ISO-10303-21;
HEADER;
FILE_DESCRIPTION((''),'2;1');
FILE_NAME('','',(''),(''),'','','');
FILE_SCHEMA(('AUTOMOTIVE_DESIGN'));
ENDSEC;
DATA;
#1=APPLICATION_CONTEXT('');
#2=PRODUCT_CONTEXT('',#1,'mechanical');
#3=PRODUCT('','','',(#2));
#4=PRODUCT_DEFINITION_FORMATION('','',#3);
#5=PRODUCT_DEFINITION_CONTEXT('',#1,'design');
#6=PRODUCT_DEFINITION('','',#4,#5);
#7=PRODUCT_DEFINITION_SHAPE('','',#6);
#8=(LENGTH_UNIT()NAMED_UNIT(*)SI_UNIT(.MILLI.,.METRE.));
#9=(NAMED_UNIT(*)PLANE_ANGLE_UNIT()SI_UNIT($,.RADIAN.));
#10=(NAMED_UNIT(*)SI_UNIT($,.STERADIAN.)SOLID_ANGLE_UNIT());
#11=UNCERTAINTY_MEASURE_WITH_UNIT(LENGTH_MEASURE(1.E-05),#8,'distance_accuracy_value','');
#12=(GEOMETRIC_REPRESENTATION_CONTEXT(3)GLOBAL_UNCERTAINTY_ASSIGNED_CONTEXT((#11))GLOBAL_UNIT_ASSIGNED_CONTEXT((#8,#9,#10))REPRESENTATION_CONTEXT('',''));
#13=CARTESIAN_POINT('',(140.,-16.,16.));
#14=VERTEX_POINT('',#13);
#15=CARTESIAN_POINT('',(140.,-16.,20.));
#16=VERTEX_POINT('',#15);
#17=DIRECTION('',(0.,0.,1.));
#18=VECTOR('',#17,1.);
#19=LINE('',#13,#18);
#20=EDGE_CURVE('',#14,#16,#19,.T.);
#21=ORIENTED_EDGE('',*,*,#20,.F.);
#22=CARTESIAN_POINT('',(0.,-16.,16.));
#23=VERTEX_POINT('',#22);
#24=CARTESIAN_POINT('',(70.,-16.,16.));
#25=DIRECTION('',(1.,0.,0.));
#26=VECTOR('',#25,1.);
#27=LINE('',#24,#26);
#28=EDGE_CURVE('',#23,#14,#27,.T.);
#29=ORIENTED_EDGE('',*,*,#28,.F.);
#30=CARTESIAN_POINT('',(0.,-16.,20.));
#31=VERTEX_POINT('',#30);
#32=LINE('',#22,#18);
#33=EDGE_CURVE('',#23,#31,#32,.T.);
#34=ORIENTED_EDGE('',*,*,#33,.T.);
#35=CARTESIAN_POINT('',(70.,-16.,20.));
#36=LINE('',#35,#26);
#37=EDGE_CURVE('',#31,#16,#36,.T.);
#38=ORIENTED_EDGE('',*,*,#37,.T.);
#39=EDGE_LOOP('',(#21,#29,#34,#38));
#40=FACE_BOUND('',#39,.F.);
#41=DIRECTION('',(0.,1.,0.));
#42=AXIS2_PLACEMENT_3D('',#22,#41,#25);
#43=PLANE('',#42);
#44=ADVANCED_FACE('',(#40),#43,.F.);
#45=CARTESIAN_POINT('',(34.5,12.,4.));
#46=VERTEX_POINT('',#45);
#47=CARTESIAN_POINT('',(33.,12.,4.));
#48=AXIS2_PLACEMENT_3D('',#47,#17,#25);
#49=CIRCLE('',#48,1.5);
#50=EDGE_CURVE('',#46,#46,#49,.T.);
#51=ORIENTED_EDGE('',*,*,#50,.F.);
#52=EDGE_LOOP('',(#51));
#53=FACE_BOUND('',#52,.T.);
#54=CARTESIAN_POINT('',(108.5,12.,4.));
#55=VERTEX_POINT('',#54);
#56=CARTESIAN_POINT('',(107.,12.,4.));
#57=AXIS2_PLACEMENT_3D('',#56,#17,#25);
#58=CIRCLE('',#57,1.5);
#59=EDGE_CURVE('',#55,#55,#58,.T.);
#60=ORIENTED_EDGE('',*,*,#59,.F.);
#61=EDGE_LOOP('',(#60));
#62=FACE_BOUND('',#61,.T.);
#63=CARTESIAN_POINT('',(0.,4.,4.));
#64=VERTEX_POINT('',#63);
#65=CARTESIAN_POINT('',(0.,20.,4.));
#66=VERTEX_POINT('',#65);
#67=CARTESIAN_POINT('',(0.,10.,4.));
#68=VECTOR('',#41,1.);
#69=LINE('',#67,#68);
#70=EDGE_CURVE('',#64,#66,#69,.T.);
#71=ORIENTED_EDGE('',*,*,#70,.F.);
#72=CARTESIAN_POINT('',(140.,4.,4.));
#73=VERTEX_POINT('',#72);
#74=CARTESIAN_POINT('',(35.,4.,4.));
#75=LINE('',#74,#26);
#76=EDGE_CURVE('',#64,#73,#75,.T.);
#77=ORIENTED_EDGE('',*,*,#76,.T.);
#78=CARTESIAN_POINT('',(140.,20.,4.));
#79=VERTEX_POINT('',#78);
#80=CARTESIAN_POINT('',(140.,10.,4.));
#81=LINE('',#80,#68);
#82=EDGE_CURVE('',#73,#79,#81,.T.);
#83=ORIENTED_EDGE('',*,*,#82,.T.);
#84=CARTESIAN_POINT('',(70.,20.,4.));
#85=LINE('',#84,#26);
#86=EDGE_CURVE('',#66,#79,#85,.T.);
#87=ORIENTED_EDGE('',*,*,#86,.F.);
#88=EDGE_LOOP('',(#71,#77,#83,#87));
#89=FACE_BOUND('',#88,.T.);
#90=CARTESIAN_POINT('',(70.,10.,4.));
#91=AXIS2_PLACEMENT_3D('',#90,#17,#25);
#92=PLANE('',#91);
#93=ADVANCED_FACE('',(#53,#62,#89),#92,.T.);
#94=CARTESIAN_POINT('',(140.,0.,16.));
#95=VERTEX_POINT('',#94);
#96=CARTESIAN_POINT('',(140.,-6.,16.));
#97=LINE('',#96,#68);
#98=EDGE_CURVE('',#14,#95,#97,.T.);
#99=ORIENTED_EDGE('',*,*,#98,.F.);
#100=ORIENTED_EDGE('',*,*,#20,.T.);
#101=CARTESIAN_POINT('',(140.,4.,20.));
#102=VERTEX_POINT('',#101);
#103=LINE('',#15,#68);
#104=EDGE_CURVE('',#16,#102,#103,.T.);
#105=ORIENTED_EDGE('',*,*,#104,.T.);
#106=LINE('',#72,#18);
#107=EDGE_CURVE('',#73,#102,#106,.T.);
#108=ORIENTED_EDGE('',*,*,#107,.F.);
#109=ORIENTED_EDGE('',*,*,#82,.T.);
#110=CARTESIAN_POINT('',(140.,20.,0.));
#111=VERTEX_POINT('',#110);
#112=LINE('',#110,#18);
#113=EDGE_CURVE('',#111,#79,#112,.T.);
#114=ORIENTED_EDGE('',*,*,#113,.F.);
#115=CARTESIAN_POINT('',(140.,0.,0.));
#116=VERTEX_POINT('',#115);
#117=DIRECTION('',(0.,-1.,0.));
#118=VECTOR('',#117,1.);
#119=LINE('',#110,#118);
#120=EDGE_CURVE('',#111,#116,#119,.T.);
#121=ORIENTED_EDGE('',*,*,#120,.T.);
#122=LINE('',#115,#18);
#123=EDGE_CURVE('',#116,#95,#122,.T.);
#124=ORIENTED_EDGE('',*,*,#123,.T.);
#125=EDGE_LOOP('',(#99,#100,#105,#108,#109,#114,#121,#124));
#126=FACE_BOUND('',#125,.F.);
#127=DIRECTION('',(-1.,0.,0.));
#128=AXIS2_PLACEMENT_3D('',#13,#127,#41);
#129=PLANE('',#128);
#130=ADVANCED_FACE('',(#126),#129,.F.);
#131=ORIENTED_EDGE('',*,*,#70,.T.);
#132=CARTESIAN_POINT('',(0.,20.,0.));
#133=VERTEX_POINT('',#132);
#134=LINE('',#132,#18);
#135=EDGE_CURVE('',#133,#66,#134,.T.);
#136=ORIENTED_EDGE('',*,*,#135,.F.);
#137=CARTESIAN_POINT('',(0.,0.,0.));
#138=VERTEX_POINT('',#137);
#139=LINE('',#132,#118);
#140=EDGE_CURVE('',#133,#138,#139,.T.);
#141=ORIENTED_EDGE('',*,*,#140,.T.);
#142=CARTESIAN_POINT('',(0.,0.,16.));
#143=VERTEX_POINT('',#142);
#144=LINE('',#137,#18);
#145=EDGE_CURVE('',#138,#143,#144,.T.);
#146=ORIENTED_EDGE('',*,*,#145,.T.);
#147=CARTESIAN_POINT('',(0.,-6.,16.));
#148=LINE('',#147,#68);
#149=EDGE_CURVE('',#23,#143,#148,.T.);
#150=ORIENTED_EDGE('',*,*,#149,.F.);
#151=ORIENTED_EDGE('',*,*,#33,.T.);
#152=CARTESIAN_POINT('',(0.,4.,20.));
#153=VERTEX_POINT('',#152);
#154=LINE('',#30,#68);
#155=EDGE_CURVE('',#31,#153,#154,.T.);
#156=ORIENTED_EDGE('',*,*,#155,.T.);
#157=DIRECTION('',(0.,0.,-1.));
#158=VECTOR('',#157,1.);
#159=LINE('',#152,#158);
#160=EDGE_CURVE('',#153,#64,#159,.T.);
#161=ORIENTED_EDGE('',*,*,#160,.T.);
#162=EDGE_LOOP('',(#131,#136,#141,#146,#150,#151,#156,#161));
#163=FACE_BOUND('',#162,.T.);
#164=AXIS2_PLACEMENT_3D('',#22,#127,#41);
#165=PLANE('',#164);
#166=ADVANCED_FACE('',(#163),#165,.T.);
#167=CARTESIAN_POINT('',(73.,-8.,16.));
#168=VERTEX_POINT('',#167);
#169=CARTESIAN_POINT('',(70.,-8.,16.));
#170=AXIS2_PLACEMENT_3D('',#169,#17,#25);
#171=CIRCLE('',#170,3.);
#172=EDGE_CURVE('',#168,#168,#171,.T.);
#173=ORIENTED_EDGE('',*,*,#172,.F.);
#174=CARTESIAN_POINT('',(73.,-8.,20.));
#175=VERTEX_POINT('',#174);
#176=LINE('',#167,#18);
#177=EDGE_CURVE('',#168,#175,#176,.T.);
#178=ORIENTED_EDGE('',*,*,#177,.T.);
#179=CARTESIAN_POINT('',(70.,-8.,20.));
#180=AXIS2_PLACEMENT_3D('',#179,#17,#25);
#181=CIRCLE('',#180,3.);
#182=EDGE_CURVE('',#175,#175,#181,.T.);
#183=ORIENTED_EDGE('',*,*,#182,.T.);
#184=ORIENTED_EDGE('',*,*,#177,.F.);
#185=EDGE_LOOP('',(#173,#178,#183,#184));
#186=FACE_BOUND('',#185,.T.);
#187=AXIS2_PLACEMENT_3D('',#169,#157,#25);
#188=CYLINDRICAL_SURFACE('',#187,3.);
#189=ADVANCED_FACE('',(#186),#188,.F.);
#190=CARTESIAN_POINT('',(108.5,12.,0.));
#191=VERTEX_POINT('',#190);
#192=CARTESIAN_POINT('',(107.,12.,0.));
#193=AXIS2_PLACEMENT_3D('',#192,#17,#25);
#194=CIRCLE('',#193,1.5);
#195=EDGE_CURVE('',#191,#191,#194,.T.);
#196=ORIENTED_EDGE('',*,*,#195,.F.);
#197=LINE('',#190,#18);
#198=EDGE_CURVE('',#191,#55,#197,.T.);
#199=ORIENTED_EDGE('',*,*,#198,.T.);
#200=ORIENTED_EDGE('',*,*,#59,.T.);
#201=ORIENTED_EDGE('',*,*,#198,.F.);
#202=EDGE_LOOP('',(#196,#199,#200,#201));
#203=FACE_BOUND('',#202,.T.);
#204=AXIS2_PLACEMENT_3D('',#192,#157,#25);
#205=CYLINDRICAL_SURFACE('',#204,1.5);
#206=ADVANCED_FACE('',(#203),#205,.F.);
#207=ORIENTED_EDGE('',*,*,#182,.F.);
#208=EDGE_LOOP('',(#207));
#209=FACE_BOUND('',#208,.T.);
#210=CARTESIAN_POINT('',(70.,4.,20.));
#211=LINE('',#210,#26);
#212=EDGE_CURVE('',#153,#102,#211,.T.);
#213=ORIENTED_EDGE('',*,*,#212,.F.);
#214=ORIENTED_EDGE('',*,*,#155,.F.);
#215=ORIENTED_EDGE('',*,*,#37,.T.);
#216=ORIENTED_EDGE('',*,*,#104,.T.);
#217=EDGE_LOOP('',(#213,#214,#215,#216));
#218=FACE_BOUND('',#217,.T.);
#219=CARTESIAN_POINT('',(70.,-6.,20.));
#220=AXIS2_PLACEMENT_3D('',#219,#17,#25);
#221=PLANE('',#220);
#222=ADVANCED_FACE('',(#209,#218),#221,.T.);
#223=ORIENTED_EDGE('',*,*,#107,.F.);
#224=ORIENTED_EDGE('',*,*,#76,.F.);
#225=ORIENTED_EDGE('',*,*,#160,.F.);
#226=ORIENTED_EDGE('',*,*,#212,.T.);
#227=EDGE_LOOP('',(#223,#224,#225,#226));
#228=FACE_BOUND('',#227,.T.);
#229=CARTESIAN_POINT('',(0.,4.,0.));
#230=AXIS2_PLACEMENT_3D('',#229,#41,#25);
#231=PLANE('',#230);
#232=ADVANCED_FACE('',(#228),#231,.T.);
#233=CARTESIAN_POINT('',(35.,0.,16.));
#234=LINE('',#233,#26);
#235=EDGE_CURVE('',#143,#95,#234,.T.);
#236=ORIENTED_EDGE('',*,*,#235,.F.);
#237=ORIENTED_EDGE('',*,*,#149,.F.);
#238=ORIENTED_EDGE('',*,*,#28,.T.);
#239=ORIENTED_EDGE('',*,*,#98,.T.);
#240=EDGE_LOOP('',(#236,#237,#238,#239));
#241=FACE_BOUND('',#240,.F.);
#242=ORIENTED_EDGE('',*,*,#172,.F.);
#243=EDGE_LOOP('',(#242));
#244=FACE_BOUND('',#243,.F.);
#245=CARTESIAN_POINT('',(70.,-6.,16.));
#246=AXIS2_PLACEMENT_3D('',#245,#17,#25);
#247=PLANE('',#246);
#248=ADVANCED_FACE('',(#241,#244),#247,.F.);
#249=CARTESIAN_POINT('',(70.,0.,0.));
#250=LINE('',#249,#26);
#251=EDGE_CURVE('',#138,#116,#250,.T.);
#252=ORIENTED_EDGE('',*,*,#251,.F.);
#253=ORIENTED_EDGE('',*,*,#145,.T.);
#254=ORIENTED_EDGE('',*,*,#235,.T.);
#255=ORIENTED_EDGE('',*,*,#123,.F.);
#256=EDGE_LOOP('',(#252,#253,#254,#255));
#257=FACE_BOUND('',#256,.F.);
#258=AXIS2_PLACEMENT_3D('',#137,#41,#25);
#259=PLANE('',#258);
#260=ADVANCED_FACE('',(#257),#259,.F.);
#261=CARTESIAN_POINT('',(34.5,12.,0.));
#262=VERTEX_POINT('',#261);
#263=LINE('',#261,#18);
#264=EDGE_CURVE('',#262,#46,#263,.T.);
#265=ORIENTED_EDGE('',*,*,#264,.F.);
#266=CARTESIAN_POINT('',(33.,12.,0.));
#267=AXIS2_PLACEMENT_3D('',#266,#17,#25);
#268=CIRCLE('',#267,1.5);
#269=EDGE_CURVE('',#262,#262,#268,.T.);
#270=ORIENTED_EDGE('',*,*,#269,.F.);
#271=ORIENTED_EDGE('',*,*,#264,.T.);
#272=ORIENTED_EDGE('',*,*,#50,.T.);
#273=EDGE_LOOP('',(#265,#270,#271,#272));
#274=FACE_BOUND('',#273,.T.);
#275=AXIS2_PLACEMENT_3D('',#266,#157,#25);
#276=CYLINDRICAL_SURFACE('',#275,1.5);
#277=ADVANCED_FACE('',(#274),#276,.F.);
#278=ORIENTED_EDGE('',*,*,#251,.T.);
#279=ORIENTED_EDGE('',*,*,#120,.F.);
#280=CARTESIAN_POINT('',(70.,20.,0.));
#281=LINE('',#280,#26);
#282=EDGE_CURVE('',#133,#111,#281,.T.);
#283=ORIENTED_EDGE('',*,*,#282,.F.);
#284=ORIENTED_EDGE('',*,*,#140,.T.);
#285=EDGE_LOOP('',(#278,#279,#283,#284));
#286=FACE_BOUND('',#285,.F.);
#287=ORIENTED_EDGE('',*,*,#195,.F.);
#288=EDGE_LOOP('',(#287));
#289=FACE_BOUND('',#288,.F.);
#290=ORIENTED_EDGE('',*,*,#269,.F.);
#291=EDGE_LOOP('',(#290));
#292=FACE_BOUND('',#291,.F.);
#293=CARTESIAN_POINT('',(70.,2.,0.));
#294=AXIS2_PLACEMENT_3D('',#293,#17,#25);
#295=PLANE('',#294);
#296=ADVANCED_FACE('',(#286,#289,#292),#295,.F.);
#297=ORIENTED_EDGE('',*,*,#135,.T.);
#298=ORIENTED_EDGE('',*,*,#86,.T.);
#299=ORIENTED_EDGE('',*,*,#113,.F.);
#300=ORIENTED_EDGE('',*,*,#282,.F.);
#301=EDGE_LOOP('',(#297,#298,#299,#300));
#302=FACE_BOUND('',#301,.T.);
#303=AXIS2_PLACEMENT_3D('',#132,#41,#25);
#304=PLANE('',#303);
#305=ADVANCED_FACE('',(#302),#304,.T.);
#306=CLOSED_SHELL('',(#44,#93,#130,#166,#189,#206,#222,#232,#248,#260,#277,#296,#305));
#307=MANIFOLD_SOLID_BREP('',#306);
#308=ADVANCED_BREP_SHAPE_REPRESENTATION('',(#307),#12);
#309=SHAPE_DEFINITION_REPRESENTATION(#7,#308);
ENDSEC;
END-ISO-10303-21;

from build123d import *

# Parameters (mm, degrees)
CYLINDER_R        = 1.5
CYLINDER_DEPTH    = 4
CYLINDER002_R     = 3
CYLINDER002_DEPTH = 4
CYLINDER001_R     = 1.5
CYLINDER001_DEPTH = 4
BOX001_W          = 140
BOX001_H          = 20
BOX001_DEPTH      = 4
BOX002_W          = 140
BOX002_H          = 20
BOX002_DEPTH      = 4
BOX_W             = 140
BOX_H             = 4
BOX_DEPTH         = 20


with BuildPart() as agujero_de_metrica_3_trasero:
    # Cylinder → Cylinder (new body)
    with BuildSketch(Plane(origin=(33, 12, 0), x_dir=(1, 0, 0), z_dir=(0, 0, 1))):
        Circle(CYLINDER_R)
    extrude(amount=CYLINDER_DEPTH)


with BuildPart() as cylinder002:
    # Cylinder002 → Cylinder002 (new body)
    with BuildSketch(Plane(origin=(70, -8, 16), x_dir=(1, 0, 0), z_dir=(0, 0, 1))):
        Circle(CYLINDER002_R)
    extrude(amount=CYLINDER002_DEPTH)


with BuildPart() as perforaciones:
    # Cylinder001 → Cylinder001 (new body)
    with BuildSketch(Plane(origin=(107, 12, 0), x_dir=(1, 0, 0), z_dir=(0, 0, 1))):
        Circle(CYLINDER001_R)
    extrude(amount=CYLINDER001_DEPTH)

    # Fusion001: union Agujero de metrica 3 trasero, Cylinder002
    add(agujero_de_metrica_3_trasero.part)
    add(cylinder002.part)


with BuildPart() as perfil_inferior:
    # Box001 → Box001 (new body)
    with BuildSketch(Plane.XY):
        with Locations((70, 10)):
            Rectangle(BOX001_W, BOX001_H)
    extrude(amount=BOX001_DEPTH)


with BuildPart() as perfil_superior:
    # Box002 → Box002 (new body)
    with BuildSketch(Plane(origin=(0, -16, 16), x_dir=(1, 0, 0), z_dir=(0, 0, 1))):
        with Locations((70, 10)):
            Rectangle(BOX002_W, BOX002_H)
    extrude(amount=BOX002_DEPTH)


with BuildPart() as perfil_derecho:
    # Box → Box (new body)
    with BuildSketch(Plane.XY):
        with Locations((70, 2)):
            Rectangle(BOX_W, BOX_H)
    extrude(amount=BOX_DEPTH)

    # Fusion: union Perfil inferior, Perfil superior
    add(perfil_inferior.part)
    add(perfil_superior.part)

    # Cut: cut Perforaciones
    add(perforaciones.part, mode=Mode.SUBTRACT)


solid = perfil_derecho.part
